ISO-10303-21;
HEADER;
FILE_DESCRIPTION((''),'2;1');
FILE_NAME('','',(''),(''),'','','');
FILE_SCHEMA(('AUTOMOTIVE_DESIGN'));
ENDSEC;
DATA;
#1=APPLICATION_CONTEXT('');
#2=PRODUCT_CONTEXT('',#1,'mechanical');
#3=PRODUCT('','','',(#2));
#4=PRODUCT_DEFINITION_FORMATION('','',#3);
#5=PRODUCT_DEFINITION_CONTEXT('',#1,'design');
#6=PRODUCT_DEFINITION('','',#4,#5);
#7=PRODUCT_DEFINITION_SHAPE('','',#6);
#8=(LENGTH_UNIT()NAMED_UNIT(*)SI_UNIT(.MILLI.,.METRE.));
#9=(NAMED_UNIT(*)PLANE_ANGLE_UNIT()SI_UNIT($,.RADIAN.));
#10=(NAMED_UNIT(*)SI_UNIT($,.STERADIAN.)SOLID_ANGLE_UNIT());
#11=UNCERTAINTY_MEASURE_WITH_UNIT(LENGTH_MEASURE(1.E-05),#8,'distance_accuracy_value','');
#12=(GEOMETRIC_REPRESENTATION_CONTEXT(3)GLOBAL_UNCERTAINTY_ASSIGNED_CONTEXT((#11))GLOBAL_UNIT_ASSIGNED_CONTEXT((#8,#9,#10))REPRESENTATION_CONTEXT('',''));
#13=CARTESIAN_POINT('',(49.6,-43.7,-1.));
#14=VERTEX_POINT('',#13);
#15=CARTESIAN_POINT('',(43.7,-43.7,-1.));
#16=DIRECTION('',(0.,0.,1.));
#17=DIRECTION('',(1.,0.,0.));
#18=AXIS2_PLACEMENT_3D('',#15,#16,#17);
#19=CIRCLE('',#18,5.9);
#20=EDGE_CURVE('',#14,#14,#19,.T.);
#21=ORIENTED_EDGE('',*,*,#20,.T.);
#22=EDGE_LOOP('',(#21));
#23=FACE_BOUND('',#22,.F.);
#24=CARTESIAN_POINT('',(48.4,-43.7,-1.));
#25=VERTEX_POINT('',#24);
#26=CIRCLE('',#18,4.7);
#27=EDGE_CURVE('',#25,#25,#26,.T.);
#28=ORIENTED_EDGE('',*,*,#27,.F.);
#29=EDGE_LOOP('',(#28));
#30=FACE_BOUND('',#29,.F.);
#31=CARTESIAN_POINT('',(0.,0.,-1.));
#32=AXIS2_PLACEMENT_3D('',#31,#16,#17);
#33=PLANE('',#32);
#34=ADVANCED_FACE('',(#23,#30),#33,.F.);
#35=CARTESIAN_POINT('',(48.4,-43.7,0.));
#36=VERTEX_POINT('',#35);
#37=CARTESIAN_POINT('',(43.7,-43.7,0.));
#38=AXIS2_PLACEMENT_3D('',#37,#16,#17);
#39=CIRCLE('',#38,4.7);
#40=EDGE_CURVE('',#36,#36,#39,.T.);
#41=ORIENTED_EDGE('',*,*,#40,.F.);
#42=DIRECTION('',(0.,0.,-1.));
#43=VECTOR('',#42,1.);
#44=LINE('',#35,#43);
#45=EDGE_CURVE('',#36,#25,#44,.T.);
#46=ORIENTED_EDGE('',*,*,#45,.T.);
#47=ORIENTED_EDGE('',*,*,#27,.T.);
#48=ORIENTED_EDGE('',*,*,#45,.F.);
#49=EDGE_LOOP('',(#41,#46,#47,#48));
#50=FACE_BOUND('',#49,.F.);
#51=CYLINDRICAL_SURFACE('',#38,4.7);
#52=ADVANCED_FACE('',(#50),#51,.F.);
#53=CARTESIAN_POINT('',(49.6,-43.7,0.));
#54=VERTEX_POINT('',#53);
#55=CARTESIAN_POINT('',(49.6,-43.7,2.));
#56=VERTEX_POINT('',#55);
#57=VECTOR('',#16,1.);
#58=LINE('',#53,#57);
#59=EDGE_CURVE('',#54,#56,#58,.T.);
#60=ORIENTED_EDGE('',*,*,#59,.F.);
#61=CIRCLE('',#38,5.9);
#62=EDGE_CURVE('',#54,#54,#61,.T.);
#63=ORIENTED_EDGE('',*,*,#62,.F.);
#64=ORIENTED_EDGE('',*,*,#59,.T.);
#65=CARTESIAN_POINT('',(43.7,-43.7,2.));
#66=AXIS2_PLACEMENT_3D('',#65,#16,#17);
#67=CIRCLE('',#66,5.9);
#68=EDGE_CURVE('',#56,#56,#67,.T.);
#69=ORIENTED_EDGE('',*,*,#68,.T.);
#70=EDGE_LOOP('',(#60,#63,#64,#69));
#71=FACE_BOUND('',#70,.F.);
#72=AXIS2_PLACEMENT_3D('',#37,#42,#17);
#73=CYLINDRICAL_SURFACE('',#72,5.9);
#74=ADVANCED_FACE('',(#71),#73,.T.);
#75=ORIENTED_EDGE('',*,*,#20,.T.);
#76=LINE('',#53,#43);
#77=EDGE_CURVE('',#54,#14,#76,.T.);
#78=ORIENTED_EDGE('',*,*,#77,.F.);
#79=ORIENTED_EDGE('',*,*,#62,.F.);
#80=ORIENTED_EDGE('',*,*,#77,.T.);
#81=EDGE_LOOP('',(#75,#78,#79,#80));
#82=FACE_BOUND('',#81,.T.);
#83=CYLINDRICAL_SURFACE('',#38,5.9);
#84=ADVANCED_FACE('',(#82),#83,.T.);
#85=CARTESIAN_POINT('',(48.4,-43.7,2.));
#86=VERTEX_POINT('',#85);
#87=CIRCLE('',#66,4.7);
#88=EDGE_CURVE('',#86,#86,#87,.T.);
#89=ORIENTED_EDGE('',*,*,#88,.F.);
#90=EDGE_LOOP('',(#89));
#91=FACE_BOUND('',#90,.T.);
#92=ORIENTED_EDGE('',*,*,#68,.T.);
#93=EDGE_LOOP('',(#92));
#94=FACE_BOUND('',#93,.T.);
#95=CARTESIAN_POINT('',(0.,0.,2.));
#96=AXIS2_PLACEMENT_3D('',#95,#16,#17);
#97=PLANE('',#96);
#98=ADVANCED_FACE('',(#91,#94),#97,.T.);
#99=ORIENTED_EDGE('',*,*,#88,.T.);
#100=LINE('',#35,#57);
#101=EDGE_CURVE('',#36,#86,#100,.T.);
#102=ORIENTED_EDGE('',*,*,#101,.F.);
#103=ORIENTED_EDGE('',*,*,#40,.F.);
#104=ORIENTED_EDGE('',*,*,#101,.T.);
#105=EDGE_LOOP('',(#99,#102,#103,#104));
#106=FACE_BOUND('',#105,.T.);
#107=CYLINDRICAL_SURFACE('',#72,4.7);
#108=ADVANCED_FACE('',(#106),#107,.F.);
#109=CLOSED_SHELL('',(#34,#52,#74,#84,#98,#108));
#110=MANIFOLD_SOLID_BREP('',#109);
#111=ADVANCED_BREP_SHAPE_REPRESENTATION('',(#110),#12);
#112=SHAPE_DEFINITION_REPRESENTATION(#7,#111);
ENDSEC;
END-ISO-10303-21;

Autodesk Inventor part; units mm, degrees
ref_plane "YZ Plane" through (0, 0, 0) normal (1, 0, 0) x (0, 1, 0)
ref_plane "XZ Plane" through (0, 0, 0) normal (0, 1, 0) x (-1, 0, 0)
ref_plane "XY Plane" through (0, 0, 0) normal (0, 0, 1) x (1, 0, 0)
sketch "Эскиз1" plane through (0, 0, 0) normal (0, 0, 1) x (1, 0, 0)
  circle A0 centre (43.7, -43.7) radius 4.5 projected
  circle A1 centre (43.7, -43.7) radius 6.1 projected
  circle A2 centre (43.7, -43.7) radius 4.5 projected
  circle A3 centre (43.7, -43.7) radius 6.1 projected
  circle A4 centre (43.7, -43.7) radius 4.5 projected
  circle A5 centre (43.7, -43.7) radius 6.1 projected
  circle A6 centre (43.7, -43.7) radius 4.5 projected
  circle A7 centre (43.7, -43.7) radius 6.1 projected
  circle A8 centre (43.7, -43.7) radius 5.9
  circle A9 centre (43.7, -43.7) radius 4.7
  point P0 (0, 0)
  dimension "d8" = 0.2
  dimension "d9" = 0.2
extrude "Выдавливание2" add sketch "Эскиз1" along normal blind 2 and the other way blind 1 contours A8
properties part number "Legs"
